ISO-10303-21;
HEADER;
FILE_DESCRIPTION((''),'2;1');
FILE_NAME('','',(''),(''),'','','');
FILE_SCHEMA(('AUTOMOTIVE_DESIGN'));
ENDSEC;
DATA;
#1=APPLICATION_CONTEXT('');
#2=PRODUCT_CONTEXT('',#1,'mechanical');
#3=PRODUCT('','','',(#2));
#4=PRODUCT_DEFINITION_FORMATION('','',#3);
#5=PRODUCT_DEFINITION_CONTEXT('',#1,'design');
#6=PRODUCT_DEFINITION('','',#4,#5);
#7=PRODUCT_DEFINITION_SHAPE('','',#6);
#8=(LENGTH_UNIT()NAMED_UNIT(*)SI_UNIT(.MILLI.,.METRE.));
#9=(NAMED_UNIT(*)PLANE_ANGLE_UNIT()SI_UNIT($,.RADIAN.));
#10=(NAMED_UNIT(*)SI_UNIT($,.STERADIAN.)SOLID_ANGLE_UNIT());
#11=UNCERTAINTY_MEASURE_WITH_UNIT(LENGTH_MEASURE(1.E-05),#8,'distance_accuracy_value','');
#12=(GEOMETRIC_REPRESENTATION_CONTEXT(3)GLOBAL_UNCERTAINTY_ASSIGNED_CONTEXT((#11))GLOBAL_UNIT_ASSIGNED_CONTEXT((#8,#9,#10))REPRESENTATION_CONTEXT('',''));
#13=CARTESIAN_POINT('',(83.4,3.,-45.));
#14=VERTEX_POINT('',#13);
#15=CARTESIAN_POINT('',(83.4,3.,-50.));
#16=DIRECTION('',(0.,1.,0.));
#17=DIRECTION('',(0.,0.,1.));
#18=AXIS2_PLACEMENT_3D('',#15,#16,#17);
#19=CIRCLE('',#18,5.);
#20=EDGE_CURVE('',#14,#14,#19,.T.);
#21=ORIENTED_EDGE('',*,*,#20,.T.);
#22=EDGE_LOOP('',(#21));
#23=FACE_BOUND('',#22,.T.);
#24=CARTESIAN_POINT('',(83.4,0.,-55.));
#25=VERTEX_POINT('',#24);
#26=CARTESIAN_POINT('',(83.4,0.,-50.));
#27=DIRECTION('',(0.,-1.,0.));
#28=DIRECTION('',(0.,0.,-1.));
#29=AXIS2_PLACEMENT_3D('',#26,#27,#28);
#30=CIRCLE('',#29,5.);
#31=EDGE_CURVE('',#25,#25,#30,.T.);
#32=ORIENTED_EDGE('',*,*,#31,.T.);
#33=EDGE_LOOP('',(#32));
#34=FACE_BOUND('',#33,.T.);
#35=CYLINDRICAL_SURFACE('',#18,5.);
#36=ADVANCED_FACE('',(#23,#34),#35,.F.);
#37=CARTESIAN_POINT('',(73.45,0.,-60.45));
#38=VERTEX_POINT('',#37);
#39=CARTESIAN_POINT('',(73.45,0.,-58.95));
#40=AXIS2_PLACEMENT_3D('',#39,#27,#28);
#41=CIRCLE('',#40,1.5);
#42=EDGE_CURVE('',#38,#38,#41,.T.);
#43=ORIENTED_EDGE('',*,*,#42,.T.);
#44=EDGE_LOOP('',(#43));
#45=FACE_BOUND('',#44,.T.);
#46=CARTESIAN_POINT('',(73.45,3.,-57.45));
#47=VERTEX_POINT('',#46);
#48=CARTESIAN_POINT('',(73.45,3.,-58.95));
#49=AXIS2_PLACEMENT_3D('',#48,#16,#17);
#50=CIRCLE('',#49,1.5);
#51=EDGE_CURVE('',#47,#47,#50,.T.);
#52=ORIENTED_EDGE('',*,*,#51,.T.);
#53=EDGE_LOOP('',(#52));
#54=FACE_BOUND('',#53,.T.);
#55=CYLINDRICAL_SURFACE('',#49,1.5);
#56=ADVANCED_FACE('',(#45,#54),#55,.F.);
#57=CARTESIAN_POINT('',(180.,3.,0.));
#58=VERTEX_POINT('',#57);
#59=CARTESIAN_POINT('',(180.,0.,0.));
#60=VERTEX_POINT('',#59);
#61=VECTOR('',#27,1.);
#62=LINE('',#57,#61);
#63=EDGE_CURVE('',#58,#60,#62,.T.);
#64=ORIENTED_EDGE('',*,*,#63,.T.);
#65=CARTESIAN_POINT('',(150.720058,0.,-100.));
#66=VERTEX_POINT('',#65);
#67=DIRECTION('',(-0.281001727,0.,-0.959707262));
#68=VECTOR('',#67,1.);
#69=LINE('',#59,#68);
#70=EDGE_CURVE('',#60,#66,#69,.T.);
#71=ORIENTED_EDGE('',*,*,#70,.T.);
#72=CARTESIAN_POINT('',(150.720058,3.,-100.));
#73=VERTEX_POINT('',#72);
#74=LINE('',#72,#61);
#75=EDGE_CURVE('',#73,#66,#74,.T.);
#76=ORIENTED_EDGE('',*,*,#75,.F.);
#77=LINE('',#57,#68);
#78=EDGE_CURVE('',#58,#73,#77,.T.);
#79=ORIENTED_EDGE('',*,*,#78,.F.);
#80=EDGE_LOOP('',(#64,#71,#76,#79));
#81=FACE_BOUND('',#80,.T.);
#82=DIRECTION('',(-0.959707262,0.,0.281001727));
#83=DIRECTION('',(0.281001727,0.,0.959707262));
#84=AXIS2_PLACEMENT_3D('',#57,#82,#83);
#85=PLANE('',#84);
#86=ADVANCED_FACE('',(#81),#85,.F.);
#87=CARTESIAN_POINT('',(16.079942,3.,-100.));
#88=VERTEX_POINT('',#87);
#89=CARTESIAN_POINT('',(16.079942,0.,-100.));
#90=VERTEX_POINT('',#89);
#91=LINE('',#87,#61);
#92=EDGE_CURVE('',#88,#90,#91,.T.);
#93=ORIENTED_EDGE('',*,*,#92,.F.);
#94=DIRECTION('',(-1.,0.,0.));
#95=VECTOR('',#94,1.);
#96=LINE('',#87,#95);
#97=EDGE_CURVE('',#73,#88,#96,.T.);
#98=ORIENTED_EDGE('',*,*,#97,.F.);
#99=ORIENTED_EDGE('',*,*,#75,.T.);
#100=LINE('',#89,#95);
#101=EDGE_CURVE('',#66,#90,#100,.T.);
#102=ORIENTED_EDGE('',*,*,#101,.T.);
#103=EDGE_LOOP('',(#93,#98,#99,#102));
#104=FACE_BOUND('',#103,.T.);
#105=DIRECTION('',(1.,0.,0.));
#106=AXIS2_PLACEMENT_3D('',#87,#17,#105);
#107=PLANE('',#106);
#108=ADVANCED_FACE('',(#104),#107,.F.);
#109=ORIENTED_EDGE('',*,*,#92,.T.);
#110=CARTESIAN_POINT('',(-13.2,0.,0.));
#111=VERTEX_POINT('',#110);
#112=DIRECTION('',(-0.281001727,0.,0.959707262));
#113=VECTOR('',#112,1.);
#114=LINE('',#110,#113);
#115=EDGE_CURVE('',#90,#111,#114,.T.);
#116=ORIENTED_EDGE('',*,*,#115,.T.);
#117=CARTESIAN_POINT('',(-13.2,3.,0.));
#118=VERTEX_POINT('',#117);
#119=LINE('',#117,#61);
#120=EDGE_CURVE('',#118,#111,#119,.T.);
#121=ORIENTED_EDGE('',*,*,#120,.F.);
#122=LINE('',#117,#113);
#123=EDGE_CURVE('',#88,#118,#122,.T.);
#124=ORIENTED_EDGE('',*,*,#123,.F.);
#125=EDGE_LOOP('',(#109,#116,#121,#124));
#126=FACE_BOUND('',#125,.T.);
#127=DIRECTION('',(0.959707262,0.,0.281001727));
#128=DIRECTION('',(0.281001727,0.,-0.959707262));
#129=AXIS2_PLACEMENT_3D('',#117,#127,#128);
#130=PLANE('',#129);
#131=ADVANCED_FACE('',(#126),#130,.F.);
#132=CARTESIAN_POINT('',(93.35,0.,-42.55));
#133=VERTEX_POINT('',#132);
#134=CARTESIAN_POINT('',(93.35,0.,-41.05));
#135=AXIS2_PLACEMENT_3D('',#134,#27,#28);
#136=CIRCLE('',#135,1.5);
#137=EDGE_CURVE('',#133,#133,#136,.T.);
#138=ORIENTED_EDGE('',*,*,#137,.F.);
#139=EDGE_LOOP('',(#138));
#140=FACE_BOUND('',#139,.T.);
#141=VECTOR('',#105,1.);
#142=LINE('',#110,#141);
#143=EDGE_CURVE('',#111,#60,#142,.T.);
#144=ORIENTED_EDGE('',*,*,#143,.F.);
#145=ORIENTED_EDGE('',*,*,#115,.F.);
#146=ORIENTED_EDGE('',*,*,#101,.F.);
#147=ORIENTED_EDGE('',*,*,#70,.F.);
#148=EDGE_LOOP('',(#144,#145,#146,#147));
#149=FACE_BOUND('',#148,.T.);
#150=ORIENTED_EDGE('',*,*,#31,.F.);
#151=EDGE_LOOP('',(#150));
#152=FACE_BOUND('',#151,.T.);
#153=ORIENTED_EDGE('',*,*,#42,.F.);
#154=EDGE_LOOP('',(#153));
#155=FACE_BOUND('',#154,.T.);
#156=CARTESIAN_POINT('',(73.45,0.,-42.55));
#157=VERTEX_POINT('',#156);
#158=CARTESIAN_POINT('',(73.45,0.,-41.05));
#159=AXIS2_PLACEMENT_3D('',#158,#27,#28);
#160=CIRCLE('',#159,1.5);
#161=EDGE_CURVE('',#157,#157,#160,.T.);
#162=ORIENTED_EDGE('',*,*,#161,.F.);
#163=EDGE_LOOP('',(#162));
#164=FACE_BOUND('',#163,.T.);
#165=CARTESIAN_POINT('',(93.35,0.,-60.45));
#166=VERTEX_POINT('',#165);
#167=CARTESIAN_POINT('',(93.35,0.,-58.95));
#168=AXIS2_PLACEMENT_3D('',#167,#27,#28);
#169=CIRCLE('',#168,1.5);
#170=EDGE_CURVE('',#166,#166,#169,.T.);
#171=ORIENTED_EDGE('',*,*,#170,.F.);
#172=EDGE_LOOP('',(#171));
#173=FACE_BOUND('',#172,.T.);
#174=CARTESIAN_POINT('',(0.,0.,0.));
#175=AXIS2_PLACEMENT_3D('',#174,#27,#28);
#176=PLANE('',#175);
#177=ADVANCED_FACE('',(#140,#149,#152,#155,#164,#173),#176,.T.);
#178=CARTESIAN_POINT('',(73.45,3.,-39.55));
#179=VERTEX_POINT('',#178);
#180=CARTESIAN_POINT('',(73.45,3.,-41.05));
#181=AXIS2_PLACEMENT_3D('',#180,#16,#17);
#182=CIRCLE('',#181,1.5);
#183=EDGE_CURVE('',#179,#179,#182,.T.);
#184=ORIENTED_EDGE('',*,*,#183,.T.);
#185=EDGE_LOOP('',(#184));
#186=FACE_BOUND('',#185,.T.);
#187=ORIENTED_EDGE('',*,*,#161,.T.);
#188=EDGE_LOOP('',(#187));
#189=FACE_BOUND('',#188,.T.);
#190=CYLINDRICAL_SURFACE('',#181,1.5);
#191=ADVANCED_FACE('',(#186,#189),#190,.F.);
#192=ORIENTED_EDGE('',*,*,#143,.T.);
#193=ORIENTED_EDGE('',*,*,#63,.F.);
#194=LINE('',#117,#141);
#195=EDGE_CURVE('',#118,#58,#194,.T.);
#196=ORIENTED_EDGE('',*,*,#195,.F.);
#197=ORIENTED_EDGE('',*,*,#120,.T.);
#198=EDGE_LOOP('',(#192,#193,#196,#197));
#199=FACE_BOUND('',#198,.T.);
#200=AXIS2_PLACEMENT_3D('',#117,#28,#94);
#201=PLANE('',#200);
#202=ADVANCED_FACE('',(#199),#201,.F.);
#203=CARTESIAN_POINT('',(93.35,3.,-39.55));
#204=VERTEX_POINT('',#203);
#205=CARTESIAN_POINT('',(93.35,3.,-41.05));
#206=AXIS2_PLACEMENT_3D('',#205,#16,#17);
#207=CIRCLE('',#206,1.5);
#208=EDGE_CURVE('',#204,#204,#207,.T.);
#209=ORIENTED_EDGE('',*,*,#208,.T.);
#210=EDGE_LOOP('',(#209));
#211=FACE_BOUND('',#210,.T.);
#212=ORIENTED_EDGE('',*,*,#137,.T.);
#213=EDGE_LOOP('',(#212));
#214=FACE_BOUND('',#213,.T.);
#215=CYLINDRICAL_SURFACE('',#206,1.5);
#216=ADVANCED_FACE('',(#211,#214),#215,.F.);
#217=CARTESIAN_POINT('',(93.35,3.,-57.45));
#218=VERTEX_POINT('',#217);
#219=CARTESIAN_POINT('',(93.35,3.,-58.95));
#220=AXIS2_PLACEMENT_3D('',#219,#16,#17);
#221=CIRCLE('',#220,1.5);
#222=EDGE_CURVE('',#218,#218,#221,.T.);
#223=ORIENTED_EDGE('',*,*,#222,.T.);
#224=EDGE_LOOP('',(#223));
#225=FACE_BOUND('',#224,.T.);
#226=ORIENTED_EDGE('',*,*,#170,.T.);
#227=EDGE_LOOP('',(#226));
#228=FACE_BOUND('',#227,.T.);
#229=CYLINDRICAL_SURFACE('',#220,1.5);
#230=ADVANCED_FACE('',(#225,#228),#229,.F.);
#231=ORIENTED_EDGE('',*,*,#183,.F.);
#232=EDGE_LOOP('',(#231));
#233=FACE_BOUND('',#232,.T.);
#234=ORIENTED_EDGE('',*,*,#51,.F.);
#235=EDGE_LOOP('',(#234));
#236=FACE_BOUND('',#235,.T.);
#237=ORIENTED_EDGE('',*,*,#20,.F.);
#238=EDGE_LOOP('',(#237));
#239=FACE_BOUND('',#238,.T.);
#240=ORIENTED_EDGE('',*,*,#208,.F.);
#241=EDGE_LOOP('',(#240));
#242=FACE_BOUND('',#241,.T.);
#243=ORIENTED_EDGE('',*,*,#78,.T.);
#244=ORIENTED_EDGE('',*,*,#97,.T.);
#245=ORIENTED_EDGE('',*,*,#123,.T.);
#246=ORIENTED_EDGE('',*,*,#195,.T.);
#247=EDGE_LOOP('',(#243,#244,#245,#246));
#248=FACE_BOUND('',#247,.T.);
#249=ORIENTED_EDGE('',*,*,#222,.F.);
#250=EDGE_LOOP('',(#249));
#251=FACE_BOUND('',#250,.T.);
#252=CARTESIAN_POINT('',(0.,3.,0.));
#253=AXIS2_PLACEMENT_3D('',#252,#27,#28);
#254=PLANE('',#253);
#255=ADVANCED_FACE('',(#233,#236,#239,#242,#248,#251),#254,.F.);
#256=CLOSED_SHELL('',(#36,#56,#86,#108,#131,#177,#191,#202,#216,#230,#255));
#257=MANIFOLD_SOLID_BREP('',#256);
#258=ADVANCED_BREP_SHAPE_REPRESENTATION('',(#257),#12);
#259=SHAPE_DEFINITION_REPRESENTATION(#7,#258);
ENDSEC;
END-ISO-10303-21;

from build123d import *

# Parameters (mm, degrees)
BOSS_EXTRUDE1_DEPTH        = 3
F_10_0MM_DOWEL_HOLE1_D     = 10
F_10_0MM_DOWEL_HOLE1_DEPTH = 3
F_3_0MM_DOWEL_HOLE1_D      = 3
F_3_0MM_DOWEL_HOLE1_DEPTH  = 3


with BuildPart() as part:
    # Sketch1 → Boss-Extrude1 (new body)
    with BuildSketch(Plane(origin=(0, 0, 0), x_dir=(1, 0, 0), z_dir=(0, 1, 0))):
        Polygon((-13.2, 0), (180, 0), (150.720058283, 100), (16.079941717, 100), align=None)
    extrude(amount=BOSS_EXTRUDE1_DEPTH)

    # Ø10.0mm Dowel Hole1
    with Locations(Plane(origin=(0, 3, 0), x_dir=(1, 0, 0), z_dir=(0, 1, 0))):
        with Locations((83.4, 50)):
            Hole(F_10_0MM_DOWEL_HOLE1_D / 2, depth=F_10_0MM_DOWEL_HOLE1_DEPTH)

    # Ø3.0mm Dowel Hole1
    with Locations(Plane(origin=(0, 3, 0), x_dir=(1, 0, 0), z_dir=(0, 1, 0))):
        with Locations((73.45, 58.95), (73.45, 41.05), (93.35, 41.05), (93.35, 58.95)):
            Hole(F_3_0MM_DOWEL_HOLE1_D / 2, depth=F_3_0MM_DOWEL_HOLE1_DEPTH)


solid = part.part
